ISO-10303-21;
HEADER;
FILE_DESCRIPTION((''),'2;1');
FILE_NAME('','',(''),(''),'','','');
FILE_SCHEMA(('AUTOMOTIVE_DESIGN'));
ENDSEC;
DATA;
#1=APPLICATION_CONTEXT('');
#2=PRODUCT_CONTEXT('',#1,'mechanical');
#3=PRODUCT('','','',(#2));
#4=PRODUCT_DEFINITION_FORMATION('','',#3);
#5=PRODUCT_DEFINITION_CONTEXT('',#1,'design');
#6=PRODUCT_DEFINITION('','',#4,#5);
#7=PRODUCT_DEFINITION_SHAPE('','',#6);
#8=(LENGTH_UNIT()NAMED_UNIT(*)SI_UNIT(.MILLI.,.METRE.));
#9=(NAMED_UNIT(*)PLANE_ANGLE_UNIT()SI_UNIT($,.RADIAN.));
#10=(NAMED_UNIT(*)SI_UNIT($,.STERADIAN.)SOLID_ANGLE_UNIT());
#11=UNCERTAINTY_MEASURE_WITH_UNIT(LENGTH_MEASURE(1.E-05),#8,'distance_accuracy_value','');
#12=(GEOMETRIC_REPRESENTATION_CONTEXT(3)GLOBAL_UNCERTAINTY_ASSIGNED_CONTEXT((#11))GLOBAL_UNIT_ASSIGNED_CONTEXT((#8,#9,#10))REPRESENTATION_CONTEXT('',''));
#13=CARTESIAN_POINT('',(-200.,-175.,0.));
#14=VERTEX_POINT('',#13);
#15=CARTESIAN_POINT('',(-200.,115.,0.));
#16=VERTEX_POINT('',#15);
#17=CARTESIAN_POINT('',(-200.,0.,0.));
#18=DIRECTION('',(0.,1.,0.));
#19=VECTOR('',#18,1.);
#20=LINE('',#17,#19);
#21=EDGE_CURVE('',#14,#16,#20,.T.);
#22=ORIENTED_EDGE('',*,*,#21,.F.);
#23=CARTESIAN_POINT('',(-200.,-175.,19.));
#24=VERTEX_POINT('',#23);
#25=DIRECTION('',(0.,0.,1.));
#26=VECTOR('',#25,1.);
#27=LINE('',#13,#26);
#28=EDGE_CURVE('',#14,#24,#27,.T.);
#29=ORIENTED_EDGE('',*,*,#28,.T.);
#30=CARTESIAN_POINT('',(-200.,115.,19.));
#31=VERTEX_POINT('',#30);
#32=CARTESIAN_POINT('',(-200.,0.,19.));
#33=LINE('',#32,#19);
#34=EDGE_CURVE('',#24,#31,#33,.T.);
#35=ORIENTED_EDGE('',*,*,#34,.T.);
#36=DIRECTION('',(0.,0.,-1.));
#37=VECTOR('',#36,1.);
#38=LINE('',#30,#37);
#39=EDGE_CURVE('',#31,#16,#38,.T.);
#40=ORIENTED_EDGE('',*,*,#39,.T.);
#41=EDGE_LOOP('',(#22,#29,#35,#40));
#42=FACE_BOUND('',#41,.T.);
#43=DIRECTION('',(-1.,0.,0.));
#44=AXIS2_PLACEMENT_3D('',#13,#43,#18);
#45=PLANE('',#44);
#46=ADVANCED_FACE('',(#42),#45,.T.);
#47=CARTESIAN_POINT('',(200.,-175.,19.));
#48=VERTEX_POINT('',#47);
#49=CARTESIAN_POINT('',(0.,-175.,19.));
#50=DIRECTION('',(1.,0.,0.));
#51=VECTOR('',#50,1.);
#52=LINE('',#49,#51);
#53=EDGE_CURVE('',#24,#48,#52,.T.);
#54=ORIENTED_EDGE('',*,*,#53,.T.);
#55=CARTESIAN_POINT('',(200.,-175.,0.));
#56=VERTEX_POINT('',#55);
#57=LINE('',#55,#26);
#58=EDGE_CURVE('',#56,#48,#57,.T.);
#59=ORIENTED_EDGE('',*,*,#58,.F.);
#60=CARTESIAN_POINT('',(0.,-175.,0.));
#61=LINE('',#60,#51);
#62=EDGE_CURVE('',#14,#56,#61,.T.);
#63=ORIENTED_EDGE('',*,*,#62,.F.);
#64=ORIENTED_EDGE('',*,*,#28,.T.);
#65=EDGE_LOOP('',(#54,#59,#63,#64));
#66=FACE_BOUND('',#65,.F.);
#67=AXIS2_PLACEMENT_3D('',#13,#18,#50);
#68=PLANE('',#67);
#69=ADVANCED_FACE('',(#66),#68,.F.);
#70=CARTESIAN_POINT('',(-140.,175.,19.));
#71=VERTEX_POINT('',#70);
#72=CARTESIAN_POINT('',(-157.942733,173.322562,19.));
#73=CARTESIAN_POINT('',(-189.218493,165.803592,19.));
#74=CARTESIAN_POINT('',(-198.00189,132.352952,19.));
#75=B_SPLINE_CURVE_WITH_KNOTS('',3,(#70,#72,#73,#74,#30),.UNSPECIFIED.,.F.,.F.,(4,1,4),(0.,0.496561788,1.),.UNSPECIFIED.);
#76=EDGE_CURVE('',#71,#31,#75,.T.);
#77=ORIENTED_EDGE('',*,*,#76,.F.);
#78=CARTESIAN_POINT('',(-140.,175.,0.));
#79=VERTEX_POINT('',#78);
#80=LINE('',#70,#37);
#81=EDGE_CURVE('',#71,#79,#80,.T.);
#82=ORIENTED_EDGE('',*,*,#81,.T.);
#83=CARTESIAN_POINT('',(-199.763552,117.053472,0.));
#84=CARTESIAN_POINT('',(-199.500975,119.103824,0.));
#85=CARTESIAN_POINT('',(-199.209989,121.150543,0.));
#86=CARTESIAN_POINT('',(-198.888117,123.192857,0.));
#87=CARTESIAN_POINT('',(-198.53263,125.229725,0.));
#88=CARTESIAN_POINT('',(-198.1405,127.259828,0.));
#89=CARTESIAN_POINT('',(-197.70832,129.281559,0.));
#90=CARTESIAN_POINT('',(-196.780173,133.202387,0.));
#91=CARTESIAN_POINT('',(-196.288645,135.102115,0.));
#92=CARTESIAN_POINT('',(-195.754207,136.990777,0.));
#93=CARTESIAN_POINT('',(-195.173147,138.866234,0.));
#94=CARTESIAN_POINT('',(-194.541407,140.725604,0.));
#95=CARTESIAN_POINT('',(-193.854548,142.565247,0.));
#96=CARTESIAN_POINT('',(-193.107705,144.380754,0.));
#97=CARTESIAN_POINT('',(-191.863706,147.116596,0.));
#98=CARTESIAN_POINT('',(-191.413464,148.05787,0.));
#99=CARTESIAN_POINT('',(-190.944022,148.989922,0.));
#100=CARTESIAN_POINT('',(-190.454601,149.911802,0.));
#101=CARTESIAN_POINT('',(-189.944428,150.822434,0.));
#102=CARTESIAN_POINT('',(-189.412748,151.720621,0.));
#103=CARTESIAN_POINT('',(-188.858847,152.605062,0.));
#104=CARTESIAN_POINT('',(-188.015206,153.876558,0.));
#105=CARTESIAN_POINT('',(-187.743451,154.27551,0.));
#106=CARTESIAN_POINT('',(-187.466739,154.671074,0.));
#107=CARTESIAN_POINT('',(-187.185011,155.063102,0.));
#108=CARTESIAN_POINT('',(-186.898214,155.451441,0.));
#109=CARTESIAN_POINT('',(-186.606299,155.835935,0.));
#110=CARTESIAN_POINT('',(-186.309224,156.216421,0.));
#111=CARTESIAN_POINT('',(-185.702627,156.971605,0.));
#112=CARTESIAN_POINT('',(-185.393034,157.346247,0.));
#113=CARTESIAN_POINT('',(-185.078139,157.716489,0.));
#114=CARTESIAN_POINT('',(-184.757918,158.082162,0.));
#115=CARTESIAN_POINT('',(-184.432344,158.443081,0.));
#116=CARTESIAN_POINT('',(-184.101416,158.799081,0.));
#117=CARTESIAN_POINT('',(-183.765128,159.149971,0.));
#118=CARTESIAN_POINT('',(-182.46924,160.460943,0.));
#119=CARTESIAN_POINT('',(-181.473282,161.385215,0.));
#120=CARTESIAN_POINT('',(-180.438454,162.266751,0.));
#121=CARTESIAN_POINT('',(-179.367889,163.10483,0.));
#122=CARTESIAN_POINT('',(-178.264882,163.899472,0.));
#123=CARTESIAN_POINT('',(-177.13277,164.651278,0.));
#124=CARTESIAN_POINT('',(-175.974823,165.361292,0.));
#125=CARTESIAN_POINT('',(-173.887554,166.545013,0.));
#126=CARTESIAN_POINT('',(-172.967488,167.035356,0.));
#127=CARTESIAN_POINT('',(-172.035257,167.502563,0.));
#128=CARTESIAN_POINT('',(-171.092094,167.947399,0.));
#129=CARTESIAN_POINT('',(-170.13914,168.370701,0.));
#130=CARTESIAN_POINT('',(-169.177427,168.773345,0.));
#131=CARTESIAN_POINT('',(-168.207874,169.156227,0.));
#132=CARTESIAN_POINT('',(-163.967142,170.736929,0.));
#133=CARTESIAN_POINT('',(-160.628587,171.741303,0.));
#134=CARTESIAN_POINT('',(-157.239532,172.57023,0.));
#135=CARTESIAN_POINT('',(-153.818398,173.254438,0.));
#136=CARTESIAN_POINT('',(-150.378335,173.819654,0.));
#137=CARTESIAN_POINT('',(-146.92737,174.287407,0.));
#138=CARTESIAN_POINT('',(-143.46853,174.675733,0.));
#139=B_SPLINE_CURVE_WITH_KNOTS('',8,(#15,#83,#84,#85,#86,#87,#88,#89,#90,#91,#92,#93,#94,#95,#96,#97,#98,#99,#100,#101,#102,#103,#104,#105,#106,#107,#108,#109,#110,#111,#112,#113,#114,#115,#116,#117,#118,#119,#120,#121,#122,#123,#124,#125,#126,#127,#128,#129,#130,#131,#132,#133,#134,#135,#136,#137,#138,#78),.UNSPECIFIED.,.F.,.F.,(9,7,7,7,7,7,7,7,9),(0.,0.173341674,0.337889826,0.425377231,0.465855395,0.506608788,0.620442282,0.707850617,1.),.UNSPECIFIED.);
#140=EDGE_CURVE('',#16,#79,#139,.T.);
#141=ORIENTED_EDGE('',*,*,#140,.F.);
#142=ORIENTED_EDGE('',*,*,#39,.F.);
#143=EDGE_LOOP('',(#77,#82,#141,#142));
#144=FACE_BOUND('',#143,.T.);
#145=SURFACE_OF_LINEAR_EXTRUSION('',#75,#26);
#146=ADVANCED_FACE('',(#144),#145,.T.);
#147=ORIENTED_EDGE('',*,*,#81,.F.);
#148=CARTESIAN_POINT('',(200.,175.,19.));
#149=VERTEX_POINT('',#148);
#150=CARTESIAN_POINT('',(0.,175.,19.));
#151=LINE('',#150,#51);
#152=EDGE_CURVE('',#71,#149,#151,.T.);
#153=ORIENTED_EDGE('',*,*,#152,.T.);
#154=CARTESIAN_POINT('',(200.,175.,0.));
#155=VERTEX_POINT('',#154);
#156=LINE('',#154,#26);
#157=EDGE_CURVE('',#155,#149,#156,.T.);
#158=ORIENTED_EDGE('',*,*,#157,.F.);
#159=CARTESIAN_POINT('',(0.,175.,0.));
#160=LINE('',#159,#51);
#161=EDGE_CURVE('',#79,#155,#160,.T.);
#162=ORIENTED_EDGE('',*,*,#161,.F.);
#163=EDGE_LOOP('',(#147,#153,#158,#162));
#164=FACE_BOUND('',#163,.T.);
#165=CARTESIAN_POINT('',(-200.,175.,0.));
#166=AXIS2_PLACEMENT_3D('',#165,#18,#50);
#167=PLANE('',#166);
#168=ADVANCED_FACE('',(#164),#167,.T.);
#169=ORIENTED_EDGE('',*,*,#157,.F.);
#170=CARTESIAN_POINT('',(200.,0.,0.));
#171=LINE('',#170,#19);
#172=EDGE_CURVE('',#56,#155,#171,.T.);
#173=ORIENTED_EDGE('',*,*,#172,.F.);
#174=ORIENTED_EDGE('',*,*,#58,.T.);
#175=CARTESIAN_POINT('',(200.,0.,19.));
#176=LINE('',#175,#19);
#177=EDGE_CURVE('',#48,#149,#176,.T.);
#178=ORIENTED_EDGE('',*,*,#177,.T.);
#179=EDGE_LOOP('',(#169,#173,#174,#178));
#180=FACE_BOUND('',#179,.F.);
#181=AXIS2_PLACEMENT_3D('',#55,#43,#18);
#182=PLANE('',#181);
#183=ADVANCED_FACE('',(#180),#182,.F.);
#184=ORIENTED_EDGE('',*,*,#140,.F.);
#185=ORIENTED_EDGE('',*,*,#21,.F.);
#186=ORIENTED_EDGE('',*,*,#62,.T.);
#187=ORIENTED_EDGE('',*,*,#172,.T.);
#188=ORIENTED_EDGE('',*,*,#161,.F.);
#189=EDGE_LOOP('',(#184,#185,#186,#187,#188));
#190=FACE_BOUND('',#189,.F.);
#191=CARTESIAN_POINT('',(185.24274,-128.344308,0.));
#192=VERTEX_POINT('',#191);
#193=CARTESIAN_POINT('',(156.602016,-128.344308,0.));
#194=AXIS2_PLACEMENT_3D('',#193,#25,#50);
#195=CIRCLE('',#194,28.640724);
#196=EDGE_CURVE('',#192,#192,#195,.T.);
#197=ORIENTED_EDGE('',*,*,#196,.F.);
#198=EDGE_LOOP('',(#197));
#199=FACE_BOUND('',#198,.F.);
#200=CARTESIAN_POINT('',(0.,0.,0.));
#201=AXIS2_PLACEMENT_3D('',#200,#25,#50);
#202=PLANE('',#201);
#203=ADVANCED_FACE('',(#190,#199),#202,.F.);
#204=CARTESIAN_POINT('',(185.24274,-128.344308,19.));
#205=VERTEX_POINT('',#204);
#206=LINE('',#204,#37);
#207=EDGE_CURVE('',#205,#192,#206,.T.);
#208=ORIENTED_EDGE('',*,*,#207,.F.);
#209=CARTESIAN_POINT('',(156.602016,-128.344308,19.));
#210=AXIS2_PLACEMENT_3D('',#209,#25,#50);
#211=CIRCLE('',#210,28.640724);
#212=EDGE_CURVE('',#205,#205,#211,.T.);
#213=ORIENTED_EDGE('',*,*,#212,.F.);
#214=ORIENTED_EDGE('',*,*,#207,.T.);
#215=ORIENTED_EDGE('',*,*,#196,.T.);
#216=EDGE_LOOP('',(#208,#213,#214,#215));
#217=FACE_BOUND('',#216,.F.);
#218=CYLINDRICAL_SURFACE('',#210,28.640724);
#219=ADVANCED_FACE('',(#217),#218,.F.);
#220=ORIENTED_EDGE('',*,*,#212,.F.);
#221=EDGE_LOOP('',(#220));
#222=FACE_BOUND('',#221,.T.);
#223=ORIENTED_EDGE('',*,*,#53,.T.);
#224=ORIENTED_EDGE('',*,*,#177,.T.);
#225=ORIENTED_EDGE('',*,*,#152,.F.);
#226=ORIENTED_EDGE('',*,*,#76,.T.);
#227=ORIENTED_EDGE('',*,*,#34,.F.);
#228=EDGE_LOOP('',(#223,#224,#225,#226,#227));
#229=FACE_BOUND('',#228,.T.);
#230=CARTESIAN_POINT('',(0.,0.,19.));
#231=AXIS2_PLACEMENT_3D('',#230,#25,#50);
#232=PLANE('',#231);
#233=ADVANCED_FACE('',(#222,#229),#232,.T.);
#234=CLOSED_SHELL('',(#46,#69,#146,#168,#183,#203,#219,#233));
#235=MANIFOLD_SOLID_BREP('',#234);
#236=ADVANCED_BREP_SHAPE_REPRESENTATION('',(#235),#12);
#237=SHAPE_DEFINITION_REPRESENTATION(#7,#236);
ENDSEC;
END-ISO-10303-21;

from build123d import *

# Parameters (mm, degrees)
F0_W     = 400
F0_H     = 350
F1_DEPTH = 19
F3_DEPTH = 19.001
F4_R     = 28.6407244268
F5_DEPTH = 19.0010001


with BuildPart() as f1:
    # F0 (on Top) → F1 (new body)
    with BuildSketch(Plane.XY):
        Rectangle(F0_W, F0_H)
    extrude(amount=F1_DEPTH)

    # F2 (on face) → F3 (cut, through all)
    with BuildSketch(Plane.XY.offset(19)):
        with BuildLine():
            add(Edge.make_bspline(
                [(-140, 175), (-157.942733111, 173.3225620191), (-189.2184929725, 165.8035915867), (-198.0018895699, 132.3529522536), (-200, 115)],
                knots=[0, 0, 0, 0, 0.4965617875, 1, 1, 1, 1], degree=3))
            Line((-140, 175), (-200, 175))
            Line((-200, 175), (-200, 115))
        make_face()
    extrude(amount=-F3_DEPTH, mode=Mode.SUBTRACT)

    # F4 (on face) → F5 (cut, through all)
    with BuildSketch(Plane.XY.offset(19)):
        with Locations((156.6020158332, -128.344308295)):
            Circle(F4_R)
    extrude(amount=-F5_DEPTH, mode=Mode.SUBTRACT)


solid = f1.part
